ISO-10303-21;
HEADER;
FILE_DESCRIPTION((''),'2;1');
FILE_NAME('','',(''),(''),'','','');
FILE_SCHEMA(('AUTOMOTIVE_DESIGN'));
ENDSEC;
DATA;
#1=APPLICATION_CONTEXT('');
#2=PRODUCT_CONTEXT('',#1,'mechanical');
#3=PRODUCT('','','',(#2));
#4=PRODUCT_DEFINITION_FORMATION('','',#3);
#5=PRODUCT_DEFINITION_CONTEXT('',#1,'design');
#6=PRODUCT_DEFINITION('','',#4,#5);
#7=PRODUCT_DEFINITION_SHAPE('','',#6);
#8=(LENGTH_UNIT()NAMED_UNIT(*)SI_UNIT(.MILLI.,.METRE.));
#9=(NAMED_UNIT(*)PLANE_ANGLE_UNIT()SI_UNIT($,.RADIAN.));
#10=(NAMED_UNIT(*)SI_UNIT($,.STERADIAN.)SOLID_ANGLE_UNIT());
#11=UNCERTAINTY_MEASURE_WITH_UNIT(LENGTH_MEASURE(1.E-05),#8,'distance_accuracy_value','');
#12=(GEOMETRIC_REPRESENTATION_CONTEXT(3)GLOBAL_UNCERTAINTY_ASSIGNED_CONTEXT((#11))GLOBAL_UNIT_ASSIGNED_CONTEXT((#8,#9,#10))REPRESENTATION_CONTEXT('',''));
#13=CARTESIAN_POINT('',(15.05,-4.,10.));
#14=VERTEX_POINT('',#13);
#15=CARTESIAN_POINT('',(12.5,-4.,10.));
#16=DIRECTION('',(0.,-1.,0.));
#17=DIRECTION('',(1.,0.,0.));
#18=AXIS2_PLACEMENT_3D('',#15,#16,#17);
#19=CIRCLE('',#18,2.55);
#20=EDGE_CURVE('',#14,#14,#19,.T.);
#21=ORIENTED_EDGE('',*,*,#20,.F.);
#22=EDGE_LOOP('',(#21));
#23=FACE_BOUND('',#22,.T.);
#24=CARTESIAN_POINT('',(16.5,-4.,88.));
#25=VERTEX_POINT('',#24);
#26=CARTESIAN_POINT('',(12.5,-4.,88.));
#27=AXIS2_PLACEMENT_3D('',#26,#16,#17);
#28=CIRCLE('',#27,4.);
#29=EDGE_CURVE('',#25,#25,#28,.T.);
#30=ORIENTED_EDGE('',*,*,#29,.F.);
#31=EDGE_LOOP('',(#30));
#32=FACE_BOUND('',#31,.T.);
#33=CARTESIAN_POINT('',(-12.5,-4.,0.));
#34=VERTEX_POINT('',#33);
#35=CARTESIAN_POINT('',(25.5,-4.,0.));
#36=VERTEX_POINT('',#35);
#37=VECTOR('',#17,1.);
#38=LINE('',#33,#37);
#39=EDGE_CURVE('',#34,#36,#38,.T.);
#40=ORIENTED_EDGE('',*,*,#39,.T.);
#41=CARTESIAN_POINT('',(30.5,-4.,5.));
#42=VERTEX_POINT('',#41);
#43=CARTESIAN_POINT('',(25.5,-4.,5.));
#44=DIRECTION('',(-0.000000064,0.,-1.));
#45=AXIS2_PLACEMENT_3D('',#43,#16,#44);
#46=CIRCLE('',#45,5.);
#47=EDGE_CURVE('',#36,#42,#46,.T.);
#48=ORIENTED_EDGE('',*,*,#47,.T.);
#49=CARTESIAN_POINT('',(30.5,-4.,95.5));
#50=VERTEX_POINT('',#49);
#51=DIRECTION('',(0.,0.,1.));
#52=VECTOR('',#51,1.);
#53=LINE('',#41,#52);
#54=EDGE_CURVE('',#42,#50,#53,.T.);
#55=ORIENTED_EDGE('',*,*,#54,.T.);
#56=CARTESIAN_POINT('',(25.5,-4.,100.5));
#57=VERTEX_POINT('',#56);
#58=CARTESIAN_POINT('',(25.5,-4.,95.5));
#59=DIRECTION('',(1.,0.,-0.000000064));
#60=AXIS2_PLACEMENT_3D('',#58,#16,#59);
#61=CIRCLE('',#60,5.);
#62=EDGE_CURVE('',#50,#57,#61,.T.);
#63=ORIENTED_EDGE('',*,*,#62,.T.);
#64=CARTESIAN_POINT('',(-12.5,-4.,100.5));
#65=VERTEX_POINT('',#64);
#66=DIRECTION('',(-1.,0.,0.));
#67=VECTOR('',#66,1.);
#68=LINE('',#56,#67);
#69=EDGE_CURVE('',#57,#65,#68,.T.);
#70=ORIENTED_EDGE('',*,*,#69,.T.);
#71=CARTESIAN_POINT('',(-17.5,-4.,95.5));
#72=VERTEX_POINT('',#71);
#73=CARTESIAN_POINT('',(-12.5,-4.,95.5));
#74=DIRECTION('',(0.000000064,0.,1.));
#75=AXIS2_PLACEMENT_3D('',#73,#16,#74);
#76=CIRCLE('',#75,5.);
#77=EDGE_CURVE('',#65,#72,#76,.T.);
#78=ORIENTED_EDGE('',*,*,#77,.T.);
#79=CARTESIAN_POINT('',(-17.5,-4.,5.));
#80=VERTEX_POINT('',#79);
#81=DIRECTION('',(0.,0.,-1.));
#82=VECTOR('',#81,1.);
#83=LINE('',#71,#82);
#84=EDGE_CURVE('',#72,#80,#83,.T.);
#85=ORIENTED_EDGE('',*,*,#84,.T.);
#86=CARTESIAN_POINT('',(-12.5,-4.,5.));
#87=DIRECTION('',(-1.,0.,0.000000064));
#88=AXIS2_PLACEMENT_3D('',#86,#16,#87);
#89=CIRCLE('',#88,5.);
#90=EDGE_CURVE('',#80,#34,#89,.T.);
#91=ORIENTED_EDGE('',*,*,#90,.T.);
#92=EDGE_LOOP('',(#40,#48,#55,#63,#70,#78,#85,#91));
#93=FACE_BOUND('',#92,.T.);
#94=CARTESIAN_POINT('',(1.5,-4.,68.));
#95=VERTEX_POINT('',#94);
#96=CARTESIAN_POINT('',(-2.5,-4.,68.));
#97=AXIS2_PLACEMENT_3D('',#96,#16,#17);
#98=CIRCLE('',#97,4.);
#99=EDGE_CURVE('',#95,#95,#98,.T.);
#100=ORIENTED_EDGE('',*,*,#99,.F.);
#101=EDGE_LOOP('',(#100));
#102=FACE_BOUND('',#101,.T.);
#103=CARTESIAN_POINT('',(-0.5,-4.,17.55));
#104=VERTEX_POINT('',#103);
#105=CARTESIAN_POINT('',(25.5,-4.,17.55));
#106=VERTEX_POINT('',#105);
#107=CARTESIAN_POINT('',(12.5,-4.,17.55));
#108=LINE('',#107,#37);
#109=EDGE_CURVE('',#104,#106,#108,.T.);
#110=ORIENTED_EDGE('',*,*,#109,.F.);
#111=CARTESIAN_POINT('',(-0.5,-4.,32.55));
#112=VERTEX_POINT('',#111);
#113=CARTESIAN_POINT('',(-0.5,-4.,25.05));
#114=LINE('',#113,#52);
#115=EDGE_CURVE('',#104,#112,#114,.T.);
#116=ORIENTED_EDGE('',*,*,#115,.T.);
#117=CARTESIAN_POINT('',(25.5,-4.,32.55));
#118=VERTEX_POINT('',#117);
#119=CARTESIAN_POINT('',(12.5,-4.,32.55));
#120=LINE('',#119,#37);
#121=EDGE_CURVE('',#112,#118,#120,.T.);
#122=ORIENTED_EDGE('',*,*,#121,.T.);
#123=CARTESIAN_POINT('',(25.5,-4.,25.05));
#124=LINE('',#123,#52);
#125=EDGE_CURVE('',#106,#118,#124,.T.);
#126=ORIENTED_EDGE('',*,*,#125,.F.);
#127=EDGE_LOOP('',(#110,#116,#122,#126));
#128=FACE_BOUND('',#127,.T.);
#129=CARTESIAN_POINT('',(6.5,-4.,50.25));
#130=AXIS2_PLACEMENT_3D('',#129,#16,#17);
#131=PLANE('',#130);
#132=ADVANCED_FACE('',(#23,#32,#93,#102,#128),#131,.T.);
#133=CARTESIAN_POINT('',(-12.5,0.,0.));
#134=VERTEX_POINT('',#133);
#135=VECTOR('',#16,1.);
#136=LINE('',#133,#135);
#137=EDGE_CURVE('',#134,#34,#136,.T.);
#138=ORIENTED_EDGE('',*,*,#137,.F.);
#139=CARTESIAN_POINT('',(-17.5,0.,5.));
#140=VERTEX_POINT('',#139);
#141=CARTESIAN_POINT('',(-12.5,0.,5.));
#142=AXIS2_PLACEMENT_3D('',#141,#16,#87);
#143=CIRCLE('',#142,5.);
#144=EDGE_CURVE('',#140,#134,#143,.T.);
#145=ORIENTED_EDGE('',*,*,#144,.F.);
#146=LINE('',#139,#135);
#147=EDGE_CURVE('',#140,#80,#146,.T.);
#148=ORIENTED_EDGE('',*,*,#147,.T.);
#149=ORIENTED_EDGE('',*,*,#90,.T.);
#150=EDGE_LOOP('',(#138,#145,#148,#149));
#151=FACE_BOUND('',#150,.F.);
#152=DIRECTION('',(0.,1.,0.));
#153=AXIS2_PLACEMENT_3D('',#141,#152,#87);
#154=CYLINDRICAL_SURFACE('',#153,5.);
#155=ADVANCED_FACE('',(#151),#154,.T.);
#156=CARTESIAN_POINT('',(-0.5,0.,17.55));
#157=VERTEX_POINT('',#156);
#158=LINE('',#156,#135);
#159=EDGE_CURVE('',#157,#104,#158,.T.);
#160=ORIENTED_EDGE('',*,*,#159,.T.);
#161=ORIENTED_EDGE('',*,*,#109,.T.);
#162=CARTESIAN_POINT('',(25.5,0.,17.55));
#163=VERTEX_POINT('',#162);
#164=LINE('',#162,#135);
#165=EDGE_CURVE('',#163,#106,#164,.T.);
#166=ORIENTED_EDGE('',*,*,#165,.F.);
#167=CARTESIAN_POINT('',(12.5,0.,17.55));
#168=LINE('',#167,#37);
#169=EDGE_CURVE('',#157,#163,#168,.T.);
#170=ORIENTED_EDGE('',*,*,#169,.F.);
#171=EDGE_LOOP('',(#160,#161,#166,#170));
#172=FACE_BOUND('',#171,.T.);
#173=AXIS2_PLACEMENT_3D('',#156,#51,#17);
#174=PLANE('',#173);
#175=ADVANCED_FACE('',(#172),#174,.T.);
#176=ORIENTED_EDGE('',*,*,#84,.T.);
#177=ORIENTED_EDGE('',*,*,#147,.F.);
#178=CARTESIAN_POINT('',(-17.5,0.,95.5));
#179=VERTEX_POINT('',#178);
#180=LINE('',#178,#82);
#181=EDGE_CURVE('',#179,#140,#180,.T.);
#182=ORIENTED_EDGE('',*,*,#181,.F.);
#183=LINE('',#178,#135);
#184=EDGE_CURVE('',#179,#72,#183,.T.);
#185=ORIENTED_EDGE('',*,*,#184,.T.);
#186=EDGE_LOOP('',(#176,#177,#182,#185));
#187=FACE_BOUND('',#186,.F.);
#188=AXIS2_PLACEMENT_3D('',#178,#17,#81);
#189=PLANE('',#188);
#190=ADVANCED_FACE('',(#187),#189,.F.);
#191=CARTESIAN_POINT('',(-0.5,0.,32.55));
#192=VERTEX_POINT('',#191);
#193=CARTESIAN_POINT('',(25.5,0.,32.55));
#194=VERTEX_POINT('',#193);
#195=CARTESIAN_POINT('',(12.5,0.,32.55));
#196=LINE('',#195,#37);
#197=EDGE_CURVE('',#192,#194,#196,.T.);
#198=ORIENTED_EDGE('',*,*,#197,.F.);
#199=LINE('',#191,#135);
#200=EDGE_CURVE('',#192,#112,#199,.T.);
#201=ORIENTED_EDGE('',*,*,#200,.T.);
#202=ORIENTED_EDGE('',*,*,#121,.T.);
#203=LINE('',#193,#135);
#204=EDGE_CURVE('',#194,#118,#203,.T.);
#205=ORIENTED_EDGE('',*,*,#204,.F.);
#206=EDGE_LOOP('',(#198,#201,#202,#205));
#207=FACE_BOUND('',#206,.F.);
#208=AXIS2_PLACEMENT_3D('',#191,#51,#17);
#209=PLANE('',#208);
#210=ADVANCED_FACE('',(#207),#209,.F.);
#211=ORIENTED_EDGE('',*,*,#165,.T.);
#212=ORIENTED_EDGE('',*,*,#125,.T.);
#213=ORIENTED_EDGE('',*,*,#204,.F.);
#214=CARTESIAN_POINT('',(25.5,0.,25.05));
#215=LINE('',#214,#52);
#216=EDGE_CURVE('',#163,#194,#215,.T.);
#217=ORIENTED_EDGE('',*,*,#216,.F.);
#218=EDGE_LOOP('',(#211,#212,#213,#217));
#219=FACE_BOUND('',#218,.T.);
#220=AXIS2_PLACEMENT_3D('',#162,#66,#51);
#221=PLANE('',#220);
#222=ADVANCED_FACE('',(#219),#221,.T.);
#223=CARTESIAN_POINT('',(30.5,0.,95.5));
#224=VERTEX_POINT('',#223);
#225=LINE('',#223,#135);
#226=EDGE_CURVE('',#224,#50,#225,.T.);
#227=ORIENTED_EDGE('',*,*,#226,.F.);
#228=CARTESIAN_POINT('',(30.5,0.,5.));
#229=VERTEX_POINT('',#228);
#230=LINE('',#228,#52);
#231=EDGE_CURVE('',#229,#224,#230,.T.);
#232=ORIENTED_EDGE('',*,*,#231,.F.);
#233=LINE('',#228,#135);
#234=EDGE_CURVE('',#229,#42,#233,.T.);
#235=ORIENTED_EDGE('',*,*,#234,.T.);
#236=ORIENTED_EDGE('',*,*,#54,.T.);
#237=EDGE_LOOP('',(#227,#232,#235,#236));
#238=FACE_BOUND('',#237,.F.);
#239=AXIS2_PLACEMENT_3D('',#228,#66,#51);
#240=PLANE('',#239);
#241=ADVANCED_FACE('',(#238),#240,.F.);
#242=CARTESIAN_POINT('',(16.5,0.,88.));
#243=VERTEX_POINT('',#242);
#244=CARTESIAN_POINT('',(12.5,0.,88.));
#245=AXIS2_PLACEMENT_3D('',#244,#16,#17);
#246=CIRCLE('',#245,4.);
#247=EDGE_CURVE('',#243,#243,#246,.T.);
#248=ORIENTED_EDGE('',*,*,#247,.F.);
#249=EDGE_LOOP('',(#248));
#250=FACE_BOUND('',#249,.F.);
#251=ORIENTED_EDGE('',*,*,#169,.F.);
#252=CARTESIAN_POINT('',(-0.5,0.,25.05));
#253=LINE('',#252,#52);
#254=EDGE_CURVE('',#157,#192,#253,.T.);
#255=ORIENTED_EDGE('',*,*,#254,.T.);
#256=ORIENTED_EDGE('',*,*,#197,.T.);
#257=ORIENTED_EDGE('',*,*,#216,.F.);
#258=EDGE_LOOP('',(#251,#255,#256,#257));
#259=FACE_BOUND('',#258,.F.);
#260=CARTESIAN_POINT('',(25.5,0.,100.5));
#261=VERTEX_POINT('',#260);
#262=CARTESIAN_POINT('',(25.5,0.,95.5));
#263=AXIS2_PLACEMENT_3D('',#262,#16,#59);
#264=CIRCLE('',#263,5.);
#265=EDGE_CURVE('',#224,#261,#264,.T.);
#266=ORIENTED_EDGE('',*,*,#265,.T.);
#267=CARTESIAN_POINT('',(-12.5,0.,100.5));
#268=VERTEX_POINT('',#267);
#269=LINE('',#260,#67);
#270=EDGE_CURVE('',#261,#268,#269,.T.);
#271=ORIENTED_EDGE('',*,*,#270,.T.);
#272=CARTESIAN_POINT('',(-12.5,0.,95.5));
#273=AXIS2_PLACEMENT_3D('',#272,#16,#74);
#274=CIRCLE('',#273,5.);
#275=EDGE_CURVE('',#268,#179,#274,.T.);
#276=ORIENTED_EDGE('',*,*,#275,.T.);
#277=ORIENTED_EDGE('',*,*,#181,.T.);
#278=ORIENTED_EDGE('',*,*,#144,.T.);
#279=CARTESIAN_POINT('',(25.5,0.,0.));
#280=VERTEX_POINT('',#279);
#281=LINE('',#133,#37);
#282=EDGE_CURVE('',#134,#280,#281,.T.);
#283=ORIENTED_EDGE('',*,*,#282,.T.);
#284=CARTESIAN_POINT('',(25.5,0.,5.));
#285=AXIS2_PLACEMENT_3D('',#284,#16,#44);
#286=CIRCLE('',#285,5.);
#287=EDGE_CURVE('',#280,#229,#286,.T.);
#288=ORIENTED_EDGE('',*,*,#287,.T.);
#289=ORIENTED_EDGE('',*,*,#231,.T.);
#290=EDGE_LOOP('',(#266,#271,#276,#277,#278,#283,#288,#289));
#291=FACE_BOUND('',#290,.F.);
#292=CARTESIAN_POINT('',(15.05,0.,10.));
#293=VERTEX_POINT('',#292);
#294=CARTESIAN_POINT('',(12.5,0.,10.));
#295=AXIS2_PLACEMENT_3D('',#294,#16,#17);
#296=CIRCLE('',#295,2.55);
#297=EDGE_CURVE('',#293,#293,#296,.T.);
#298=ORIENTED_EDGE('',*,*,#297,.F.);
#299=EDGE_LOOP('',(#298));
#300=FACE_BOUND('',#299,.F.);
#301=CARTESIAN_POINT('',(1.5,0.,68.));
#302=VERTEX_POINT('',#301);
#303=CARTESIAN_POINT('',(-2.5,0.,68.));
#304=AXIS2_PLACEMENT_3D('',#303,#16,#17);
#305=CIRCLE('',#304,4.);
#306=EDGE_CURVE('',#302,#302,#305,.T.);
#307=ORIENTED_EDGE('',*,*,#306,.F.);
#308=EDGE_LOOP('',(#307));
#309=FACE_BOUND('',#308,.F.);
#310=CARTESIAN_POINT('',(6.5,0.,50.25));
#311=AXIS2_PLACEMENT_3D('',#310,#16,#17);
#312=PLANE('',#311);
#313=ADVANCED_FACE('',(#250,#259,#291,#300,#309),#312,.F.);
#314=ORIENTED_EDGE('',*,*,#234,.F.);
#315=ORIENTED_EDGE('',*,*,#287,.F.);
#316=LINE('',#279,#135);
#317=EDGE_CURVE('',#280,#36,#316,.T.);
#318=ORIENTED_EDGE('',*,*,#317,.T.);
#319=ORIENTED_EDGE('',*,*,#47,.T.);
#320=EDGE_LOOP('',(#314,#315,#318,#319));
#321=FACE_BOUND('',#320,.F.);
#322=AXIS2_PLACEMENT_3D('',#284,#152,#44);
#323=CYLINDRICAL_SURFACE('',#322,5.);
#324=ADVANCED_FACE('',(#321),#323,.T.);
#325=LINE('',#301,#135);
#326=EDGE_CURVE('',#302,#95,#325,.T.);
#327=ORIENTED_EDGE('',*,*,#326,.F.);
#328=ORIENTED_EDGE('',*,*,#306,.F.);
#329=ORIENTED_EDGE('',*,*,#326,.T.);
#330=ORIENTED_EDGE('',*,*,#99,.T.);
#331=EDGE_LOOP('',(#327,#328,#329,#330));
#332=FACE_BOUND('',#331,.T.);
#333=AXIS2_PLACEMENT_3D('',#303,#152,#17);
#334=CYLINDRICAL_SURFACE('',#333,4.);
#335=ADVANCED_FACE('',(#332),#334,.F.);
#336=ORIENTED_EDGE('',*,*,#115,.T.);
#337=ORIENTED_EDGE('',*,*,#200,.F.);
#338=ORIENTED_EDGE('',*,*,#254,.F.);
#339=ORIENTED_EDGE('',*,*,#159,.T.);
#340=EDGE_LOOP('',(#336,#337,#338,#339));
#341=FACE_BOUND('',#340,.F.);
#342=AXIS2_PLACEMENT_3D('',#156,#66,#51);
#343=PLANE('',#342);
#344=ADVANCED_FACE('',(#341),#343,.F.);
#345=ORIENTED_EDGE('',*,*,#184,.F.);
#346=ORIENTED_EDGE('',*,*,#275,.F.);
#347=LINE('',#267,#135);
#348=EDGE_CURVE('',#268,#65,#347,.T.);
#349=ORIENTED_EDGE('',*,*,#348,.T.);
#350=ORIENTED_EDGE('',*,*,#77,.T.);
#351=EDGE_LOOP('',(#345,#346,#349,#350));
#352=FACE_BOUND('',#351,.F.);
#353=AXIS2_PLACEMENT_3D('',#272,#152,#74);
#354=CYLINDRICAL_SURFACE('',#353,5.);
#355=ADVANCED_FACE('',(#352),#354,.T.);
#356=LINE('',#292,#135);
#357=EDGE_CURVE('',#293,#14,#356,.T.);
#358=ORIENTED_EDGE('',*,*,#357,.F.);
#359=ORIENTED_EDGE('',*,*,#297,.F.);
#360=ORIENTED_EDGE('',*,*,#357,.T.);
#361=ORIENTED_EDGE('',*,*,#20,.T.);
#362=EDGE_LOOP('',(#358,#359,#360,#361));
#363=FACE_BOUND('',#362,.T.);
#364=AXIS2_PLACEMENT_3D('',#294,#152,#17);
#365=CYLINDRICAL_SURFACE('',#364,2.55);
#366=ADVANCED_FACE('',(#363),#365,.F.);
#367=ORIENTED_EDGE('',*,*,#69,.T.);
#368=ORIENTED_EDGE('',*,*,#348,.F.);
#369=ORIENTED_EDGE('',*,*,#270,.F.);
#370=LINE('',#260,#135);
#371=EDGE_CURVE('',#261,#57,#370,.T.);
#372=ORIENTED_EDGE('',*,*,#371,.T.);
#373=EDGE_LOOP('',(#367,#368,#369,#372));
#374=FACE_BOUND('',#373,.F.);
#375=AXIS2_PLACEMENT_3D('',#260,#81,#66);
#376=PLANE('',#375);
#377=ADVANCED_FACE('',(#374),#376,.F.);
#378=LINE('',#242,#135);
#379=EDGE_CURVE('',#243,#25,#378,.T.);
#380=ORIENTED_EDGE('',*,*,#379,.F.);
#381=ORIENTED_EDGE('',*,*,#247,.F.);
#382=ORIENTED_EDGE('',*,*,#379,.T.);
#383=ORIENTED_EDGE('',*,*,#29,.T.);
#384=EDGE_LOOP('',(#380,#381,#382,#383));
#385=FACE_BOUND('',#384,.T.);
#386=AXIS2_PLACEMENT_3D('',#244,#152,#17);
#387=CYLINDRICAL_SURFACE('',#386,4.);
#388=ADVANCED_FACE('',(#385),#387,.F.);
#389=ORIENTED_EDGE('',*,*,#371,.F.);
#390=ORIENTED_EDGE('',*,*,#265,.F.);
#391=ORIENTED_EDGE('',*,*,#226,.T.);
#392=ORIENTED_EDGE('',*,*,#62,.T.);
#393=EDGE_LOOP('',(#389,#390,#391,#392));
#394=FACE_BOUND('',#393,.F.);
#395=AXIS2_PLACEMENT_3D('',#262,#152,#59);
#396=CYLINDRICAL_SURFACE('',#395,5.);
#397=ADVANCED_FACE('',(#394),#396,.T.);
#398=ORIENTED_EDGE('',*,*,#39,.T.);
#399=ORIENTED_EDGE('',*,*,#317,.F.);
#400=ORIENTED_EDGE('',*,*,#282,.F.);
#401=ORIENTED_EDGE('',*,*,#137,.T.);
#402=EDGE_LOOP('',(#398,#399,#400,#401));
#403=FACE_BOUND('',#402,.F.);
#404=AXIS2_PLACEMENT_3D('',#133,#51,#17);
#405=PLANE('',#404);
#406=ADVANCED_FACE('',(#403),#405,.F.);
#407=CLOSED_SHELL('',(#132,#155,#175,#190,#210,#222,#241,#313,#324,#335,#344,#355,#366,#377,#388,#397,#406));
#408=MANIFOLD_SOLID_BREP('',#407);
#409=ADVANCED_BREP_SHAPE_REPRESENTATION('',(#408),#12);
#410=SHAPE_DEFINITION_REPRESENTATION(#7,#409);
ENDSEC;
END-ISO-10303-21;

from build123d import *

# Parameters (mm, degrees)
F0_R     = 2.55
F0_W     = 26
F0_H     = 15
F0_R_2   = 4
F1_DEPTH = 4


with BuildPart() as f1:
    # F0 (on Front) → F1 (new body)
    with BuildSketch(Plane.XZ):
        with BuildLine():
            Line((-17.5, 95.5), (-17.5, 5))
            ThreePointArc((-17.5, 5), (-16.035534, 1.464466), (-12.5, 0))
            Line((-12.5, 0), (25.5, 0))
            ThreePointArc((25.5, 0), (29.035534, 1.464466), (30.5, 5))
            Line((30.5, 5), (30.5, 95.5))
            ThreePointArc((30.5, 95.5), (29.035534, 99.035534), (25.5, 100.5))
            Line((25.5, 100.5), (-12.5, 100.5))
            ThreePointArc((-12.5, 100.5), (-16.035534, 99.035534), (-17.5, 95.5))
        make_face()
        with Locations((12.5, 10)):
            Circle(F0_R, mode=Mode.SUBTRACT)
        with Locations((12.5, 25.05)):
            Rectangle(F0_W, F0_H, mode=Mode.SUBTRACT)
        with Locations((-2.5, 68)):
            Circle(F0_R_2, mode=Mode.SUBTRACT)
        with Locations((12.5, 88)):
            Circle(F0_R_2, mode=Mode.SUBTRACT)
    extrude(amount=F1_DEPTH)


solid = f1.part
